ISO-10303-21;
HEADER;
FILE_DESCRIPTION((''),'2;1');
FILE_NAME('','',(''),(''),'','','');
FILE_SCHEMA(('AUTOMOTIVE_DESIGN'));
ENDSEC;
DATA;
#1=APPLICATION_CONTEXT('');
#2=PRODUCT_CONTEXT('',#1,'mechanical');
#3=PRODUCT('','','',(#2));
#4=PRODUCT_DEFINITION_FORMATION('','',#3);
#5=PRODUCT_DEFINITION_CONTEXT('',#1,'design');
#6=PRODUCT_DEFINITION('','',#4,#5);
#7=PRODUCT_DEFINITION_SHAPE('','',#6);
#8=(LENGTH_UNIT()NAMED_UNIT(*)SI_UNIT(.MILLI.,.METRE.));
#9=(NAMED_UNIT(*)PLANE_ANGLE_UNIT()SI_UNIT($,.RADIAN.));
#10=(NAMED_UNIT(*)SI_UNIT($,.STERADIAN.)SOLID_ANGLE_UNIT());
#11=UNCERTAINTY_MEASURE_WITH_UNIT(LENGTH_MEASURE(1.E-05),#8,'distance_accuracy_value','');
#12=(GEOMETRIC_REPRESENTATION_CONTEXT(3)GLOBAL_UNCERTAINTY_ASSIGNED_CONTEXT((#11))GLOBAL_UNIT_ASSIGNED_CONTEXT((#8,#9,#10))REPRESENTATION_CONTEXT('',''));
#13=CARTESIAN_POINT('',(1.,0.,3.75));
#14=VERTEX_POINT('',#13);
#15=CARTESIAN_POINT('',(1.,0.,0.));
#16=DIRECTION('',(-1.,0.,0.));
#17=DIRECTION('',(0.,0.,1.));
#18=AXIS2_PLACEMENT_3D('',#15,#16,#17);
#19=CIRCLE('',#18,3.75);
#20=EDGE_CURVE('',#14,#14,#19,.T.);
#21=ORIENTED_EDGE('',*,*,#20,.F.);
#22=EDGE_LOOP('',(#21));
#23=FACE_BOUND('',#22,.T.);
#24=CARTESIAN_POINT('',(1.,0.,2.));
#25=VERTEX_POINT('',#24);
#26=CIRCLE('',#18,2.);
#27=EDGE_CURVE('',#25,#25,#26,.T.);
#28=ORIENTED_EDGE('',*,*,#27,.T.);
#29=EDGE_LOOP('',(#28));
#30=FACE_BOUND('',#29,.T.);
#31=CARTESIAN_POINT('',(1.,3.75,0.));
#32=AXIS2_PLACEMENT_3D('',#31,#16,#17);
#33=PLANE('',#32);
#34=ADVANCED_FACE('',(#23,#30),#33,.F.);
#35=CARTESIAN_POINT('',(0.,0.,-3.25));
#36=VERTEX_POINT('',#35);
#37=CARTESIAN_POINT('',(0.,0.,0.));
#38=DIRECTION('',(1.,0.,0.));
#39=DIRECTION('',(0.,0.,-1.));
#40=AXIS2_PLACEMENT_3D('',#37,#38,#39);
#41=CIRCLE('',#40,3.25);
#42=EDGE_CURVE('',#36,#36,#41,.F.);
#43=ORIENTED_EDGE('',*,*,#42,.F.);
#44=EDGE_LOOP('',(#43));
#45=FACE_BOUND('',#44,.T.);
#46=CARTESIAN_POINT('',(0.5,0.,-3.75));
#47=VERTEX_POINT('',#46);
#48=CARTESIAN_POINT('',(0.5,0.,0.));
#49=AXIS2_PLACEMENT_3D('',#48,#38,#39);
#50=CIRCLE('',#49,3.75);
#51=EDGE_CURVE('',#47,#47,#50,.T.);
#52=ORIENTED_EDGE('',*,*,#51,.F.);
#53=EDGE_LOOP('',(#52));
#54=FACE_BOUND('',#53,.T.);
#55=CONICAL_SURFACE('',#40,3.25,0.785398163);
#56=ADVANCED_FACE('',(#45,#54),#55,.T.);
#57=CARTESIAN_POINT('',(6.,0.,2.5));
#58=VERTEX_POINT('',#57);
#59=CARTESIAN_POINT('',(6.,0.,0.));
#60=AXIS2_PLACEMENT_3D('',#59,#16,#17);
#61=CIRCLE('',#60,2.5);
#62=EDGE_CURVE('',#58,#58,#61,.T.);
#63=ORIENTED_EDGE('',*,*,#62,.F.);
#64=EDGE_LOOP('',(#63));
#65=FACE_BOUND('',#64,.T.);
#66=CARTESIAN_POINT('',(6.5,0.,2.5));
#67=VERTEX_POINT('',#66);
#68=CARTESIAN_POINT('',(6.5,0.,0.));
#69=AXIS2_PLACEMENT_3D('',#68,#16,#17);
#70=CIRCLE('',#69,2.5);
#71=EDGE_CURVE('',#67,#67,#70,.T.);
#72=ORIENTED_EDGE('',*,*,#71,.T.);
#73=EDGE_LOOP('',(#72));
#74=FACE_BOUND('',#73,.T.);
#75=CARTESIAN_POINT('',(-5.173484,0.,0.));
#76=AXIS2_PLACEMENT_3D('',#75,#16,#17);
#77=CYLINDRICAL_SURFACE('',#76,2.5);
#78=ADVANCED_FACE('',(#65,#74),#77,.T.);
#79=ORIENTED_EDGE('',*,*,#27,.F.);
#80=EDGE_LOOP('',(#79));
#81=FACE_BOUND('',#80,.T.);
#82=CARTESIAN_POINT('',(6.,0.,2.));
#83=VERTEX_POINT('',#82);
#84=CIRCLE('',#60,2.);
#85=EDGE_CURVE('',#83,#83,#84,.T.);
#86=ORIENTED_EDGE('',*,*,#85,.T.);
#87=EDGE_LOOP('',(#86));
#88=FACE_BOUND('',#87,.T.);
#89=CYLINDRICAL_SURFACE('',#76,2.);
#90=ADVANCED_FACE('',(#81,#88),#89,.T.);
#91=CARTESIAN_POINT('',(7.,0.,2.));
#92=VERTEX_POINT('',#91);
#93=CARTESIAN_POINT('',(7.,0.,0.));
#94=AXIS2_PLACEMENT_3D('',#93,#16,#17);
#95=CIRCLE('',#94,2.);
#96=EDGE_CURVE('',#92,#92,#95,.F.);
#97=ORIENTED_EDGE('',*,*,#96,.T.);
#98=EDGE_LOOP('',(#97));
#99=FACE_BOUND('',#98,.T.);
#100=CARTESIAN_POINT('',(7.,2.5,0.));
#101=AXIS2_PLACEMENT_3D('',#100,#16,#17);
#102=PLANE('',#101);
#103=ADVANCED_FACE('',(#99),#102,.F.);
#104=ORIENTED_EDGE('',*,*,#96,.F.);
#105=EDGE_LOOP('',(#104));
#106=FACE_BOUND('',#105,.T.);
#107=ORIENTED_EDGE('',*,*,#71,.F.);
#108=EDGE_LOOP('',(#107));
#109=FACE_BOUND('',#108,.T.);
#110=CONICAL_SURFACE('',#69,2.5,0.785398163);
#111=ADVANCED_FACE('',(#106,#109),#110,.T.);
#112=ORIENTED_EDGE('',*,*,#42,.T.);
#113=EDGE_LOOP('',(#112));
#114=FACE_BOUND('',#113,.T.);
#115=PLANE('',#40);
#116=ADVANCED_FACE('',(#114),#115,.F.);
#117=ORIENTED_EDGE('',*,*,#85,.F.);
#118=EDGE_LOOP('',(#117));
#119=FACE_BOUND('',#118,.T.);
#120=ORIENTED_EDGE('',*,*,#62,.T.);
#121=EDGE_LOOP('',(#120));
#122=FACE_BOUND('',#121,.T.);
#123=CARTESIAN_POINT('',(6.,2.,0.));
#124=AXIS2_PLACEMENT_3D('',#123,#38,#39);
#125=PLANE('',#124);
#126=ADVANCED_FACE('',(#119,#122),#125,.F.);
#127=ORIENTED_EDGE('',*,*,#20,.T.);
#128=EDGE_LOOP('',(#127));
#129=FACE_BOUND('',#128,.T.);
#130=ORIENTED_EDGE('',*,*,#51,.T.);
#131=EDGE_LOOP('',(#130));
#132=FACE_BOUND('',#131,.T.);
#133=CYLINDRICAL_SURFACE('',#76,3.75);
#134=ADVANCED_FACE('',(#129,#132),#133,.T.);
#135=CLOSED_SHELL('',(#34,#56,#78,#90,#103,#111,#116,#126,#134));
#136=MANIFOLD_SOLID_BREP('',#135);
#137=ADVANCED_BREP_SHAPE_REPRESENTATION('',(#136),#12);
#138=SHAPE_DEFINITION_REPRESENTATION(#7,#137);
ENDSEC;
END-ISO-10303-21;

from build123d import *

# Parameters (mm, degrees)
SMUSSO1_SIZE = 0.5


with BuildPart() as part:
    # Schizzo1 → Rivoluzione1 (revolve)
    with BuildSketch(Plane.XY, mode=Mode.PRIVATE) as rivoluzione1_sk:
        Polygon((0, 0), (0, 3.75), (1, 3.75), (1, 2), (6, 2), (6, 2.5), (7, 2.5), (7, 0), align=None)
    revolve(rivoluzione1_sk.sketch.rotate(Axis((-5.173483989, 0, 0), (1, 0, 0)), 90), axis=Axis((-5.173483989, 0, 0), (1, 0, 0)))

    # Smusso1
    smusso1_edges = [part.edges().sort_by_distance(p)[0] for p in [
        (7, 0, -2.5),
        (0, 0, -3.75),
    ]]
    chamfer(smusso1_edges, length=SMUSSO1_SIZE)


solid = part.part
